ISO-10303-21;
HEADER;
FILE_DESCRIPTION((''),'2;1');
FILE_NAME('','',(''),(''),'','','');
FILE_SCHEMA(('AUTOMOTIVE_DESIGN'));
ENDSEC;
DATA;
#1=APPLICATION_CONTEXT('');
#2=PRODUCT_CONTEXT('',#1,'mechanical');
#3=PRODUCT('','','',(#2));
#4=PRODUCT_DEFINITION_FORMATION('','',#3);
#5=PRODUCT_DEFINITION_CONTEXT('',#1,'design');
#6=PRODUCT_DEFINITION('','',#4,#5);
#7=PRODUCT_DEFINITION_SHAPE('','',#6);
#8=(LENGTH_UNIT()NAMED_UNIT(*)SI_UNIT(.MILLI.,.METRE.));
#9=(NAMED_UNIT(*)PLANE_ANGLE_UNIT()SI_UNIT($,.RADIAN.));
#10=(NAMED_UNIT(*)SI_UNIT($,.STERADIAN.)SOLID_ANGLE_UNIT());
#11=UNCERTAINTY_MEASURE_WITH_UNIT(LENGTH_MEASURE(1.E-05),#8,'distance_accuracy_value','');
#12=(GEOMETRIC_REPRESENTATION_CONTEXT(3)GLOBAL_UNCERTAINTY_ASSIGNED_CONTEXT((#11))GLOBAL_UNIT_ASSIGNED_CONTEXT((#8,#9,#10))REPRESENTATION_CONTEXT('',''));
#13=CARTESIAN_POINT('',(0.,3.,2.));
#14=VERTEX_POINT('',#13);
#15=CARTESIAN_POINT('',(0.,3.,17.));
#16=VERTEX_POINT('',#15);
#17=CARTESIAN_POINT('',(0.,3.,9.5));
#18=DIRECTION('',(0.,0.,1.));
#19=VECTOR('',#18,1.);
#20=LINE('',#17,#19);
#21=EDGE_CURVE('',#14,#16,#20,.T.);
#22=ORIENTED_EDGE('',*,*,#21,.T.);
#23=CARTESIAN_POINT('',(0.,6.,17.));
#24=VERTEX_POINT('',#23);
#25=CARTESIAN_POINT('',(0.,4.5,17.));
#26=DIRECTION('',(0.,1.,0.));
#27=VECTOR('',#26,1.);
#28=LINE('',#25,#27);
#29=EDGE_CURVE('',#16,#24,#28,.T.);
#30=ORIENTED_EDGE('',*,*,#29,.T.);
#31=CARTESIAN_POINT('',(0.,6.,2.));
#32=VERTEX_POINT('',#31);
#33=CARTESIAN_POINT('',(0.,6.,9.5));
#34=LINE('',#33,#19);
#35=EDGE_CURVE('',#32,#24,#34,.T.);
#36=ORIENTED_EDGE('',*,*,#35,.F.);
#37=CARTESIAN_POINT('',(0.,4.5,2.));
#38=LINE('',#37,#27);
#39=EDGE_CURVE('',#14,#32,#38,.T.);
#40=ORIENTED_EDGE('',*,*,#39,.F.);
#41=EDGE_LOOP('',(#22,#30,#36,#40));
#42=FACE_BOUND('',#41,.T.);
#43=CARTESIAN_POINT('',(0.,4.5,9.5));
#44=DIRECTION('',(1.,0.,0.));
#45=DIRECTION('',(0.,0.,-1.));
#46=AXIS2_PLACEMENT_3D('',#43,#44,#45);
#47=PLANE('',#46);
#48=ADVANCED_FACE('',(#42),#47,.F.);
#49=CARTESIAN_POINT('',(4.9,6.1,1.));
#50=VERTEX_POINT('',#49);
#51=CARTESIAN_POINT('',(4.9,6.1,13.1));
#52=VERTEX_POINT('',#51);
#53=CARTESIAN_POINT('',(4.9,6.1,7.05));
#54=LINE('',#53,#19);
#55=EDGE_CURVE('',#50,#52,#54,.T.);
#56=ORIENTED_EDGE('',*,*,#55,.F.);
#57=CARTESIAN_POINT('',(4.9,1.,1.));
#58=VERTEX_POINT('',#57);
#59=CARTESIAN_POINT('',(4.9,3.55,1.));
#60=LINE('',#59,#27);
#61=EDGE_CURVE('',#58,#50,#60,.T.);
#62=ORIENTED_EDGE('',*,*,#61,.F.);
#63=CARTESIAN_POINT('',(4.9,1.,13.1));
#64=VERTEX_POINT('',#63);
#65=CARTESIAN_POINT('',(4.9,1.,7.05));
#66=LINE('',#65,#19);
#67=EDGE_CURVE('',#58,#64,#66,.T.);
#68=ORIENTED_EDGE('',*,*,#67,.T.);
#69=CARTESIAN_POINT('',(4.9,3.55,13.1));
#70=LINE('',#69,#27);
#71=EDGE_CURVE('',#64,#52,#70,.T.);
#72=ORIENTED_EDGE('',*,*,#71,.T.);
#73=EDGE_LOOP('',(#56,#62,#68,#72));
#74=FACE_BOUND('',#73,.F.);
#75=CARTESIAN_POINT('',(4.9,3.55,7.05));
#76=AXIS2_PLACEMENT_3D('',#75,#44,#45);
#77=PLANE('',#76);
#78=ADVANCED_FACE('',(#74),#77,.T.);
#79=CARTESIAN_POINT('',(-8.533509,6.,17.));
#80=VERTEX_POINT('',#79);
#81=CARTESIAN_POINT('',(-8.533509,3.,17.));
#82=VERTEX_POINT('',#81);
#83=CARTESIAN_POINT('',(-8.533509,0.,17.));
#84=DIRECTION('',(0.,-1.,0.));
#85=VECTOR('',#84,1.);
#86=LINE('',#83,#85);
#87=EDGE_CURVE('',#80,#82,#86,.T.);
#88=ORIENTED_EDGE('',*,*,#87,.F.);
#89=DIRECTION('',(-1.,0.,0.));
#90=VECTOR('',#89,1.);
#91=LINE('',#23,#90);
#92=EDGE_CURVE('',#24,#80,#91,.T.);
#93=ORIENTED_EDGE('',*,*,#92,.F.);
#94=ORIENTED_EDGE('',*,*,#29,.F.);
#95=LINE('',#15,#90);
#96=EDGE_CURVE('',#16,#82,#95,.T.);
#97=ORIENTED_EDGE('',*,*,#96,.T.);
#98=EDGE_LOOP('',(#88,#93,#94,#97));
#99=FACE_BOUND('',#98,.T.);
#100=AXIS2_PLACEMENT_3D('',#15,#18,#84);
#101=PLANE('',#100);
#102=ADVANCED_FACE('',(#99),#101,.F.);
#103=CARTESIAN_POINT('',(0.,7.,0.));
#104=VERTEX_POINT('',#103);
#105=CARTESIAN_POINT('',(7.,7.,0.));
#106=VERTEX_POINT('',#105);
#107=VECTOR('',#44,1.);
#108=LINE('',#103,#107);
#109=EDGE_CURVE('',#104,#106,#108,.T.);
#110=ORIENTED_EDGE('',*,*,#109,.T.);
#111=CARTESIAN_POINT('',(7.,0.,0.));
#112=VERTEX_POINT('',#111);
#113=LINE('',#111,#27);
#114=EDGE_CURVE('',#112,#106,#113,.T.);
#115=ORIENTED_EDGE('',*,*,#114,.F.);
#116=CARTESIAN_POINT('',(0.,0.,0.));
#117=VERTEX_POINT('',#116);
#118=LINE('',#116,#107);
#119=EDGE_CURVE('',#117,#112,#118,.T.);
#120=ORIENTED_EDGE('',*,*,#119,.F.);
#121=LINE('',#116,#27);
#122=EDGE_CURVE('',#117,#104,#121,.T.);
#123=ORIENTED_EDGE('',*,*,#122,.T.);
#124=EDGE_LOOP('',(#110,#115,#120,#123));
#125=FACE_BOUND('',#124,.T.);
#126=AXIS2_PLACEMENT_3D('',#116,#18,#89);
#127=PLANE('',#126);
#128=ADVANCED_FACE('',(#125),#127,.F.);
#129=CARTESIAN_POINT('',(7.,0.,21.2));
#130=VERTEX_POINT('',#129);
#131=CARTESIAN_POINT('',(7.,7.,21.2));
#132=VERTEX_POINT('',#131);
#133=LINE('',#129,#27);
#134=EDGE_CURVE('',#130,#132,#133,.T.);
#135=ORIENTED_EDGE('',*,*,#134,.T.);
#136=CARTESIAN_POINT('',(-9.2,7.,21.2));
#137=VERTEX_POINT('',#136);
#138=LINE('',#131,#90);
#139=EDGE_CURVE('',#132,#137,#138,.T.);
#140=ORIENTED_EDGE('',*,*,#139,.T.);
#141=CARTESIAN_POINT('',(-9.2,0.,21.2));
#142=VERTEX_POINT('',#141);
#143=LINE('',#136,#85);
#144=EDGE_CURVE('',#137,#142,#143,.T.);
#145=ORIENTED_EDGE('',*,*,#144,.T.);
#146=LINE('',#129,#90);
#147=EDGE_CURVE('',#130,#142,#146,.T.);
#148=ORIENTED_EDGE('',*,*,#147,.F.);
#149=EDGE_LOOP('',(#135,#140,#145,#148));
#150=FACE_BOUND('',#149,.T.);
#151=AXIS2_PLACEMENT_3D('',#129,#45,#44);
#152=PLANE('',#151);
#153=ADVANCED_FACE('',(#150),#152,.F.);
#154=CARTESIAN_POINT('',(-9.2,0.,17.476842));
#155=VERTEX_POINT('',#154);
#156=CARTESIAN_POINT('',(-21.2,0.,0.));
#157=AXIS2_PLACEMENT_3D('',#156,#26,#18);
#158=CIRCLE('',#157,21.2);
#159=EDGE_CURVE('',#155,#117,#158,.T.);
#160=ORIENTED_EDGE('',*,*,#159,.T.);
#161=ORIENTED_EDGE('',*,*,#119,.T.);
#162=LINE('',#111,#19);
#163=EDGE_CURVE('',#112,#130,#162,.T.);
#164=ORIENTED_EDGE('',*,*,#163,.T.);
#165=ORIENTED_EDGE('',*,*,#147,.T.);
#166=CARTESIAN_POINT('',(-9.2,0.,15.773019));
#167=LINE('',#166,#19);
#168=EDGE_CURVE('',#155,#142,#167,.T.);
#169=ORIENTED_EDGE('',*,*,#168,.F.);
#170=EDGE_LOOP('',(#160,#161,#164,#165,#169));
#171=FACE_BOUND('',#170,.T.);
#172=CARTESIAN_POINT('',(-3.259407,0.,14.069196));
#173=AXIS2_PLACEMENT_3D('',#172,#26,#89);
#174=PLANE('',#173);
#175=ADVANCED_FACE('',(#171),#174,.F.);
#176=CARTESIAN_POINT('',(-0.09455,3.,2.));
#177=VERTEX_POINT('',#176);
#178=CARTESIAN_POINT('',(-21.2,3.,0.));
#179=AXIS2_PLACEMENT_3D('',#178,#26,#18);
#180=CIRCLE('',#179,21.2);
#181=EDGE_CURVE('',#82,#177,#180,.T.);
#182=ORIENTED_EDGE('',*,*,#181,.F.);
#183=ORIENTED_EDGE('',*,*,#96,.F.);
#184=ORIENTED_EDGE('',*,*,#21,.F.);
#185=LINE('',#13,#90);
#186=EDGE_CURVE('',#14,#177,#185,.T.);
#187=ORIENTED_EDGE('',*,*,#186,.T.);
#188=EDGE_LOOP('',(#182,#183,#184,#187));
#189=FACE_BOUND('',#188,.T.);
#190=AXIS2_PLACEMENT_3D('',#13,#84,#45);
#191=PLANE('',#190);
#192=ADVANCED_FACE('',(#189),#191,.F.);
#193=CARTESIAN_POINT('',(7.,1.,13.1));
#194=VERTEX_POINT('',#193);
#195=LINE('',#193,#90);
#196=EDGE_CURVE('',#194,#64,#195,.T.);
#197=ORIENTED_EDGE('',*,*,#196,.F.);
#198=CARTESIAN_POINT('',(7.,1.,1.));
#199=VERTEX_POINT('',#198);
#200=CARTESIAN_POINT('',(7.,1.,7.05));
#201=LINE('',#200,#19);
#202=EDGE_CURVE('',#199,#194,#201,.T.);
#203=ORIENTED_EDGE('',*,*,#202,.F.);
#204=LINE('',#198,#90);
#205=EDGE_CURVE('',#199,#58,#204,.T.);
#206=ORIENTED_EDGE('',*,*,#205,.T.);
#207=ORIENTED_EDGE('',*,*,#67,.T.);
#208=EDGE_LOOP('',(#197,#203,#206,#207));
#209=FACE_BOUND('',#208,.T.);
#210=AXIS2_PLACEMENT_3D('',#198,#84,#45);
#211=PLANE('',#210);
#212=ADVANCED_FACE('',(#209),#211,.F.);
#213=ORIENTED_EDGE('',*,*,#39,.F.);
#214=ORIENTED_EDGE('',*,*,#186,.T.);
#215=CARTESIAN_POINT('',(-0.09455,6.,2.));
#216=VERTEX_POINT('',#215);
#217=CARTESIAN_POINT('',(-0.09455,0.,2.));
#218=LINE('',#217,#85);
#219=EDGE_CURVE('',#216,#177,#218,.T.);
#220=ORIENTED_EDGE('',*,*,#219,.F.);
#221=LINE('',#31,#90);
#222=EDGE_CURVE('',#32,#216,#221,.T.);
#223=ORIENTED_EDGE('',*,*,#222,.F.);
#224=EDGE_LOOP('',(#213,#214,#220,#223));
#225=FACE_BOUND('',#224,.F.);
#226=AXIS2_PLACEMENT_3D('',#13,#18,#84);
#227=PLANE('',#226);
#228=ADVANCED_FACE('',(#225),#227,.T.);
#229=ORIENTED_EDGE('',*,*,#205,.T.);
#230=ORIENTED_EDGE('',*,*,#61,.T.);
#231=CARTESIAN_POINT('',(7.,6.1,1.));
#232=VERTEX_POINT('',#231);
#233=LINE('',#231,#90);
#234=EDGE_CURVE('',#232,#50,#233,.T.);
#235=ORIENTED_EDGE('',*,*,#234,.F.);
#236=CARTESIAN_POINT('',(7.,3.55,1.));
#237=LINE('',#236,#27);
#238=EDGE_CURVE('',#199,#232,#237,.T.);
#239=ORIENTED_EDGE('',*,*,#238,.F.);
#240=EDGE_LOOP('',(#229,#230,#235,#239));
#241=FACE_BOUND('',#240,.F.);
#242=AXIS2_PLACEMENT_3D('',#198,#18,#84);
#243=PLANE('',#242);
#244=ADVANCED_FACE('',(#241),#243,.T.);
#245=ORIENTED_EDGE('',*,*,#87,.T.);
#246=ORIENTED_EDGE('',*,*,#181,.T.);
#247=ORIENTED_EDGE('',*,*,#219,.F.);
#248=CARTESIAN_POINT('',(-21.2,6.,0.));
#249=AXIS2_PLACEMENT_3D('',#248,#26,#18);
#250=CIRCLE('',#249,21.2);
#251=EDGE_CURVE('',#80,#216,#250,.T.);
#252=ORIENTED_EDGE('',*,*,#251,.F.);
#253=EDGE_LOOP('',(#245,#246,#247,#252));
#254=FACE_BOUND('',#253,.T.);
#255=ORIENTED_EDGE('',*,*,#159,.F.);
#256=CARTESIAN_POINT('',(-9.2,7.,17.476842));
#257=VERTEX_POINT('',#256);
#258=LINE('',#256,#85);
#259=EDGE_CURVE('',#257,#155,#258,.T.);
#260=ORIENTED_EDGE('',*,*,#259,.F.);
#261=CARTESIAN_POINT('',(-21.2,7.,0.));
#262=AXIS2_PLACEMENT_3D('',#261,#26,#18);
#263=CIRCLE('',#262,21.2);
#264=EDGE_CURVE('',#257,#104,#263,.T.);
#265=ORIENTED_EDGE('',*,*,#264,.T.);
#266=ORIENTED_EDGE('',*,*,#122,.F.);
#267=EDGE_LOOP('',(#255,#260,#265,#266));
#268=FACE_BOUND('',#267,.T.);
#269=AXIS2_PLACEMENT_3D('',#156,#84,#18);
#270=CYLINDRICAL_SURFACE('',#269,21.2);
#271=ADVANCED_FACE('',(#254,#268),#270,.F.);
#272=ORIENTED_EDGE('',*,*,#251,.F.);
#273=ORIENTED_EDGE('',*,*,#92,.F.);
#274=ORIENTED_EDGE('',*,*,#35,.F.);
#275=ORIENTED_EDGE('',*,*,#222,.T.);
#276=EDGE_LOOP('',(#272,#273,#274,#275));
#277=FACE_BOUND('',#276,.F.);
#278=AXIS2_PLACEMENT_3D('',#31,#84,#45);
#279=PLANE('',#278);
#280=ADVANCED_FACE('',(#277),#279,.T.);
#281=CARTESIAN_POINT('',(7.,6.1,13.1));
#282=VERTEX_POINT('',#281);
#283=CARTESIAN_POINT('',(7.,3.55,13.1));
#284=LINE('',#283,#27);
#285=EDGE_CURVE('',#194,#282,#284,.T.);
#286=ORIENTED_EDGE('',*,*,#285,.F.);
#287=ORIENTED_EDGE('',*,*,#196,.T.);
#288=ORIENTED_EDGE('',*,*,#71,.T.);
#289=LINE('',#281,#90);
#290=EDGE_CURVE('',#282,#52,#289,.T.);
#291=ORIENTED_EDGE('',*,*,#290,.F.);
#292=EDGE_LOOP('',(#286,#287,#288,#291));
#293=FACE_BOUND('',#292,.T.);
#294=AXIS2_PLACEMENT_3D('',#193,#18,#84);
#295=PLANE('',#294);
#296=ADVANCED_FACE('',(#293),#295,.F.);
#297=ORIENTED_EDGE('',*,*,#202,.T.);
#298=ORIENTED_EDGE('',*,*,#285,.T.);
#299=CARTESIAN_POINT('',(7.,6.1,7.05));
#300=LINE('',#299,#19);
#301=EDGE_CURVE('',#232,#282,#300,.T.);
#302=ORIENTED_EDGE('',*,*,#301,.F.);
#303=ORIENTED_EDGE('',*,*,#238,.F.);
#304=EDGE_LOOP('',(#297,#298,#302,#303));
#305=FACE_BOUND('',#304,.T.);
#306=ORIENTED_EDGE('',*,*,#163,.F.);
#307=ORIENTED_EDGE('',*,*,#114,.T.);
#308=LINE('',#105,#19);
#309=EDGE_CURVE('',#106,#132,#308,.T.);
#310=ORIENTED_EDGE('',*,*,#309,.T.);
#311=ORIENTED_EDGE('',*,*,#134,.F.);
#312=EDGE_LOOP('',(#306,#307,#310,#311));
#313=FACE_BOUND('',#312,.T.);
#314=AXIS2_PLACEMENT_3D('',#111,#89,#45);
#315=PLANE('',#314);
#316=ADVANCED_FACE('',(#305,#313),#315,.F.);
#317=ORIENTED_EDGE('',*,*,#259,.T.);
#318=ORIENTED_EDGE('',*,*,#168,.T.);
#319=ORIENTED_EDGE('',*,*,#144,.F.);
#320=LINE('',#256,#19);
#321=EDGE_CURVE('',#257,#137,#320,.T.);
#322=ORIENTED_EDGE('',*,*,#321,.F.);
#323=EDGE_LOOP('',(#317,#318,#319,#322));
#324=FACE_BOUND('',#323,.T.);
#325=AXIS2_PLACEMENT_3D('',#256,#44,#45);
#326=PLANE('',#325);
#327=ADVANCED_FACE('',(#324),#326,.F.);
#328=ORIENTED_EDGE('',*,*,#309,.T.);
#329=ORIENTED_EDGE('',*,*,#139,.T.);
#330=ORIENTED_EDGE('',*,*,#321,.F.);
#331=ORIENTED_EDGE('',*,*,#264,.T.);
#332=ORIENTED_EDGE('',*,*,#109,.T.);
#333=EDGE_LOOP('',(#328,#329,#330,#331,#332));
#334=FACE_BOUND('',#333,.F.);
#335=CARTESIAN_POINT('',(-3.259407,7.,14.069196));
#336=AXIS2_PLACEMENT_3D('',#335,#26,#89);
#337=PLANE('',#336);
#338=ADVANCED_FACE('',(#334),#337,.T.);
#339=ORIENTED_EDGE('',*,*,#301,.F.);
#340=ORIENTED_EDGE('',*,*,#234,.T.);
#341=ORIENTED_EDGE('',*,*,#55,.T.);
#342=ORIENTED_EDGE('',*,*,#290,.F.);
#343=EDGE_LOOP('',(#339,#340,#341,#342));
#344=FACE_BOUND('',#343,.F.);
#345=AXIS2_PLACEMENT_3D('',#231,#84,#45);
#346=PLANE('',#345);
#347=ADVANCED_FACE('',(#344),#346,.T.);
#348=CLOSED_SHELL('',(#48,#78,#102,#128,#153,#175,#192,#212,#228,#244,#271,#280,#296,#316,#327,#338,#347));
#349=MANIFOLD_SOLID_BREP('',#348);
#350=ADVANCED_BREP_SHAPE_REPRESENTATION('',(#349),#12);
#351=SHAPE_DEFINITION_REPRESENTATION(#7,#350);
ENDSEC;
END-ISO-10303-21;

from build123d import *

# Parameters (mm, degrees)
BOSS_EXTRUDE1_DEPTH = 7
CUT_EXTRUDE1_DEPTH  = 8
SKETCH5_W           = 15
SKETCH5_H           = 3
CUT_EXTRUDE3_DEPTH  = 10
SKETCH6_W           = 12.1
SKETCH6_H           = 5.1
CUT_EXTRUDE4_DEPTH  = 2.1


with BuildPart() as part:
    # Sketch1 → Boss-Extrude1 (new body)
    with BuildSketch(Plane(origin=(0, 0, 0), x_dir=(1, 0, 0), z_dir=(0, 1, 0))):
        with BuildLine():
            Line((7, 21.2), (-21.2, 21.2))
            ThreePointArc((-21.2, 21.2), (-6.209336239, 14.990663761), (0, 0))
            Line((0, 0), (7, 0))
            Line((7, 0), (7, 21.2))
        make_face()
    extrude(amount=BOSS_EXTRUDE1_DEPTH)

    # Sketch2 → Cut-Extrude1 (cut, through all)
    with BuildSketch(Plane(origin=(0, 7, 0), x_dir=(1, 0, 0), z_dir=(0, 1, 0))):
        with BuildLine():
            Line((-9.2, 17.47684182), (-9.2, 21.2))
            Line((-9.2, 21.2), (-21.2, 21.2))
            ThreePointArc((-21.2, 21.2), (-14.917844581, 20.247827619), (-9.2, 17.47684182))
        make_face()
    extrude(amount=-CUT_EXTRUDE1_DEPTH, mode=Mode.SUBTRACT)

    # Sketch5 → Cut-Extrude3 (cut)
    with BuildSketch(Plane(origin=(0, 0, 0), x_dir=(0, 0, -1), z_dir=(1, 0, 0))):
        with Locations((9.5, 4.5)):
            Rectangle(SKETCH5_W, SKETCH5_H)
    extrude(amount=-CUT_EXTRUDE3_DEPTH, mode=Mode.SUBTRACT)

    # Sketch6 → Cut-Extrude4 (cut)
    with BuildSketch(Plane(origin=(7, 0, 0), x_dir=(0, 0, -1), z_dir=(1, 0, 0))):
        with Locations((7.05, 3.55)):
            Rectangle(SKETCH6_W, SKETCH6_H)
    extrude(amount=-CUT_EXTRUDE4_DEPTH, mode=Mode.SUBTRACT)


with BuildPart() as body_2:
    # Mirror1: mirrored copy
    add(part.part.mirror(Plane(origin=(0, 7, 0), x_dir=(1, 0, 0), z_dir=(0, 0, -1))))


solid = body_2.part
